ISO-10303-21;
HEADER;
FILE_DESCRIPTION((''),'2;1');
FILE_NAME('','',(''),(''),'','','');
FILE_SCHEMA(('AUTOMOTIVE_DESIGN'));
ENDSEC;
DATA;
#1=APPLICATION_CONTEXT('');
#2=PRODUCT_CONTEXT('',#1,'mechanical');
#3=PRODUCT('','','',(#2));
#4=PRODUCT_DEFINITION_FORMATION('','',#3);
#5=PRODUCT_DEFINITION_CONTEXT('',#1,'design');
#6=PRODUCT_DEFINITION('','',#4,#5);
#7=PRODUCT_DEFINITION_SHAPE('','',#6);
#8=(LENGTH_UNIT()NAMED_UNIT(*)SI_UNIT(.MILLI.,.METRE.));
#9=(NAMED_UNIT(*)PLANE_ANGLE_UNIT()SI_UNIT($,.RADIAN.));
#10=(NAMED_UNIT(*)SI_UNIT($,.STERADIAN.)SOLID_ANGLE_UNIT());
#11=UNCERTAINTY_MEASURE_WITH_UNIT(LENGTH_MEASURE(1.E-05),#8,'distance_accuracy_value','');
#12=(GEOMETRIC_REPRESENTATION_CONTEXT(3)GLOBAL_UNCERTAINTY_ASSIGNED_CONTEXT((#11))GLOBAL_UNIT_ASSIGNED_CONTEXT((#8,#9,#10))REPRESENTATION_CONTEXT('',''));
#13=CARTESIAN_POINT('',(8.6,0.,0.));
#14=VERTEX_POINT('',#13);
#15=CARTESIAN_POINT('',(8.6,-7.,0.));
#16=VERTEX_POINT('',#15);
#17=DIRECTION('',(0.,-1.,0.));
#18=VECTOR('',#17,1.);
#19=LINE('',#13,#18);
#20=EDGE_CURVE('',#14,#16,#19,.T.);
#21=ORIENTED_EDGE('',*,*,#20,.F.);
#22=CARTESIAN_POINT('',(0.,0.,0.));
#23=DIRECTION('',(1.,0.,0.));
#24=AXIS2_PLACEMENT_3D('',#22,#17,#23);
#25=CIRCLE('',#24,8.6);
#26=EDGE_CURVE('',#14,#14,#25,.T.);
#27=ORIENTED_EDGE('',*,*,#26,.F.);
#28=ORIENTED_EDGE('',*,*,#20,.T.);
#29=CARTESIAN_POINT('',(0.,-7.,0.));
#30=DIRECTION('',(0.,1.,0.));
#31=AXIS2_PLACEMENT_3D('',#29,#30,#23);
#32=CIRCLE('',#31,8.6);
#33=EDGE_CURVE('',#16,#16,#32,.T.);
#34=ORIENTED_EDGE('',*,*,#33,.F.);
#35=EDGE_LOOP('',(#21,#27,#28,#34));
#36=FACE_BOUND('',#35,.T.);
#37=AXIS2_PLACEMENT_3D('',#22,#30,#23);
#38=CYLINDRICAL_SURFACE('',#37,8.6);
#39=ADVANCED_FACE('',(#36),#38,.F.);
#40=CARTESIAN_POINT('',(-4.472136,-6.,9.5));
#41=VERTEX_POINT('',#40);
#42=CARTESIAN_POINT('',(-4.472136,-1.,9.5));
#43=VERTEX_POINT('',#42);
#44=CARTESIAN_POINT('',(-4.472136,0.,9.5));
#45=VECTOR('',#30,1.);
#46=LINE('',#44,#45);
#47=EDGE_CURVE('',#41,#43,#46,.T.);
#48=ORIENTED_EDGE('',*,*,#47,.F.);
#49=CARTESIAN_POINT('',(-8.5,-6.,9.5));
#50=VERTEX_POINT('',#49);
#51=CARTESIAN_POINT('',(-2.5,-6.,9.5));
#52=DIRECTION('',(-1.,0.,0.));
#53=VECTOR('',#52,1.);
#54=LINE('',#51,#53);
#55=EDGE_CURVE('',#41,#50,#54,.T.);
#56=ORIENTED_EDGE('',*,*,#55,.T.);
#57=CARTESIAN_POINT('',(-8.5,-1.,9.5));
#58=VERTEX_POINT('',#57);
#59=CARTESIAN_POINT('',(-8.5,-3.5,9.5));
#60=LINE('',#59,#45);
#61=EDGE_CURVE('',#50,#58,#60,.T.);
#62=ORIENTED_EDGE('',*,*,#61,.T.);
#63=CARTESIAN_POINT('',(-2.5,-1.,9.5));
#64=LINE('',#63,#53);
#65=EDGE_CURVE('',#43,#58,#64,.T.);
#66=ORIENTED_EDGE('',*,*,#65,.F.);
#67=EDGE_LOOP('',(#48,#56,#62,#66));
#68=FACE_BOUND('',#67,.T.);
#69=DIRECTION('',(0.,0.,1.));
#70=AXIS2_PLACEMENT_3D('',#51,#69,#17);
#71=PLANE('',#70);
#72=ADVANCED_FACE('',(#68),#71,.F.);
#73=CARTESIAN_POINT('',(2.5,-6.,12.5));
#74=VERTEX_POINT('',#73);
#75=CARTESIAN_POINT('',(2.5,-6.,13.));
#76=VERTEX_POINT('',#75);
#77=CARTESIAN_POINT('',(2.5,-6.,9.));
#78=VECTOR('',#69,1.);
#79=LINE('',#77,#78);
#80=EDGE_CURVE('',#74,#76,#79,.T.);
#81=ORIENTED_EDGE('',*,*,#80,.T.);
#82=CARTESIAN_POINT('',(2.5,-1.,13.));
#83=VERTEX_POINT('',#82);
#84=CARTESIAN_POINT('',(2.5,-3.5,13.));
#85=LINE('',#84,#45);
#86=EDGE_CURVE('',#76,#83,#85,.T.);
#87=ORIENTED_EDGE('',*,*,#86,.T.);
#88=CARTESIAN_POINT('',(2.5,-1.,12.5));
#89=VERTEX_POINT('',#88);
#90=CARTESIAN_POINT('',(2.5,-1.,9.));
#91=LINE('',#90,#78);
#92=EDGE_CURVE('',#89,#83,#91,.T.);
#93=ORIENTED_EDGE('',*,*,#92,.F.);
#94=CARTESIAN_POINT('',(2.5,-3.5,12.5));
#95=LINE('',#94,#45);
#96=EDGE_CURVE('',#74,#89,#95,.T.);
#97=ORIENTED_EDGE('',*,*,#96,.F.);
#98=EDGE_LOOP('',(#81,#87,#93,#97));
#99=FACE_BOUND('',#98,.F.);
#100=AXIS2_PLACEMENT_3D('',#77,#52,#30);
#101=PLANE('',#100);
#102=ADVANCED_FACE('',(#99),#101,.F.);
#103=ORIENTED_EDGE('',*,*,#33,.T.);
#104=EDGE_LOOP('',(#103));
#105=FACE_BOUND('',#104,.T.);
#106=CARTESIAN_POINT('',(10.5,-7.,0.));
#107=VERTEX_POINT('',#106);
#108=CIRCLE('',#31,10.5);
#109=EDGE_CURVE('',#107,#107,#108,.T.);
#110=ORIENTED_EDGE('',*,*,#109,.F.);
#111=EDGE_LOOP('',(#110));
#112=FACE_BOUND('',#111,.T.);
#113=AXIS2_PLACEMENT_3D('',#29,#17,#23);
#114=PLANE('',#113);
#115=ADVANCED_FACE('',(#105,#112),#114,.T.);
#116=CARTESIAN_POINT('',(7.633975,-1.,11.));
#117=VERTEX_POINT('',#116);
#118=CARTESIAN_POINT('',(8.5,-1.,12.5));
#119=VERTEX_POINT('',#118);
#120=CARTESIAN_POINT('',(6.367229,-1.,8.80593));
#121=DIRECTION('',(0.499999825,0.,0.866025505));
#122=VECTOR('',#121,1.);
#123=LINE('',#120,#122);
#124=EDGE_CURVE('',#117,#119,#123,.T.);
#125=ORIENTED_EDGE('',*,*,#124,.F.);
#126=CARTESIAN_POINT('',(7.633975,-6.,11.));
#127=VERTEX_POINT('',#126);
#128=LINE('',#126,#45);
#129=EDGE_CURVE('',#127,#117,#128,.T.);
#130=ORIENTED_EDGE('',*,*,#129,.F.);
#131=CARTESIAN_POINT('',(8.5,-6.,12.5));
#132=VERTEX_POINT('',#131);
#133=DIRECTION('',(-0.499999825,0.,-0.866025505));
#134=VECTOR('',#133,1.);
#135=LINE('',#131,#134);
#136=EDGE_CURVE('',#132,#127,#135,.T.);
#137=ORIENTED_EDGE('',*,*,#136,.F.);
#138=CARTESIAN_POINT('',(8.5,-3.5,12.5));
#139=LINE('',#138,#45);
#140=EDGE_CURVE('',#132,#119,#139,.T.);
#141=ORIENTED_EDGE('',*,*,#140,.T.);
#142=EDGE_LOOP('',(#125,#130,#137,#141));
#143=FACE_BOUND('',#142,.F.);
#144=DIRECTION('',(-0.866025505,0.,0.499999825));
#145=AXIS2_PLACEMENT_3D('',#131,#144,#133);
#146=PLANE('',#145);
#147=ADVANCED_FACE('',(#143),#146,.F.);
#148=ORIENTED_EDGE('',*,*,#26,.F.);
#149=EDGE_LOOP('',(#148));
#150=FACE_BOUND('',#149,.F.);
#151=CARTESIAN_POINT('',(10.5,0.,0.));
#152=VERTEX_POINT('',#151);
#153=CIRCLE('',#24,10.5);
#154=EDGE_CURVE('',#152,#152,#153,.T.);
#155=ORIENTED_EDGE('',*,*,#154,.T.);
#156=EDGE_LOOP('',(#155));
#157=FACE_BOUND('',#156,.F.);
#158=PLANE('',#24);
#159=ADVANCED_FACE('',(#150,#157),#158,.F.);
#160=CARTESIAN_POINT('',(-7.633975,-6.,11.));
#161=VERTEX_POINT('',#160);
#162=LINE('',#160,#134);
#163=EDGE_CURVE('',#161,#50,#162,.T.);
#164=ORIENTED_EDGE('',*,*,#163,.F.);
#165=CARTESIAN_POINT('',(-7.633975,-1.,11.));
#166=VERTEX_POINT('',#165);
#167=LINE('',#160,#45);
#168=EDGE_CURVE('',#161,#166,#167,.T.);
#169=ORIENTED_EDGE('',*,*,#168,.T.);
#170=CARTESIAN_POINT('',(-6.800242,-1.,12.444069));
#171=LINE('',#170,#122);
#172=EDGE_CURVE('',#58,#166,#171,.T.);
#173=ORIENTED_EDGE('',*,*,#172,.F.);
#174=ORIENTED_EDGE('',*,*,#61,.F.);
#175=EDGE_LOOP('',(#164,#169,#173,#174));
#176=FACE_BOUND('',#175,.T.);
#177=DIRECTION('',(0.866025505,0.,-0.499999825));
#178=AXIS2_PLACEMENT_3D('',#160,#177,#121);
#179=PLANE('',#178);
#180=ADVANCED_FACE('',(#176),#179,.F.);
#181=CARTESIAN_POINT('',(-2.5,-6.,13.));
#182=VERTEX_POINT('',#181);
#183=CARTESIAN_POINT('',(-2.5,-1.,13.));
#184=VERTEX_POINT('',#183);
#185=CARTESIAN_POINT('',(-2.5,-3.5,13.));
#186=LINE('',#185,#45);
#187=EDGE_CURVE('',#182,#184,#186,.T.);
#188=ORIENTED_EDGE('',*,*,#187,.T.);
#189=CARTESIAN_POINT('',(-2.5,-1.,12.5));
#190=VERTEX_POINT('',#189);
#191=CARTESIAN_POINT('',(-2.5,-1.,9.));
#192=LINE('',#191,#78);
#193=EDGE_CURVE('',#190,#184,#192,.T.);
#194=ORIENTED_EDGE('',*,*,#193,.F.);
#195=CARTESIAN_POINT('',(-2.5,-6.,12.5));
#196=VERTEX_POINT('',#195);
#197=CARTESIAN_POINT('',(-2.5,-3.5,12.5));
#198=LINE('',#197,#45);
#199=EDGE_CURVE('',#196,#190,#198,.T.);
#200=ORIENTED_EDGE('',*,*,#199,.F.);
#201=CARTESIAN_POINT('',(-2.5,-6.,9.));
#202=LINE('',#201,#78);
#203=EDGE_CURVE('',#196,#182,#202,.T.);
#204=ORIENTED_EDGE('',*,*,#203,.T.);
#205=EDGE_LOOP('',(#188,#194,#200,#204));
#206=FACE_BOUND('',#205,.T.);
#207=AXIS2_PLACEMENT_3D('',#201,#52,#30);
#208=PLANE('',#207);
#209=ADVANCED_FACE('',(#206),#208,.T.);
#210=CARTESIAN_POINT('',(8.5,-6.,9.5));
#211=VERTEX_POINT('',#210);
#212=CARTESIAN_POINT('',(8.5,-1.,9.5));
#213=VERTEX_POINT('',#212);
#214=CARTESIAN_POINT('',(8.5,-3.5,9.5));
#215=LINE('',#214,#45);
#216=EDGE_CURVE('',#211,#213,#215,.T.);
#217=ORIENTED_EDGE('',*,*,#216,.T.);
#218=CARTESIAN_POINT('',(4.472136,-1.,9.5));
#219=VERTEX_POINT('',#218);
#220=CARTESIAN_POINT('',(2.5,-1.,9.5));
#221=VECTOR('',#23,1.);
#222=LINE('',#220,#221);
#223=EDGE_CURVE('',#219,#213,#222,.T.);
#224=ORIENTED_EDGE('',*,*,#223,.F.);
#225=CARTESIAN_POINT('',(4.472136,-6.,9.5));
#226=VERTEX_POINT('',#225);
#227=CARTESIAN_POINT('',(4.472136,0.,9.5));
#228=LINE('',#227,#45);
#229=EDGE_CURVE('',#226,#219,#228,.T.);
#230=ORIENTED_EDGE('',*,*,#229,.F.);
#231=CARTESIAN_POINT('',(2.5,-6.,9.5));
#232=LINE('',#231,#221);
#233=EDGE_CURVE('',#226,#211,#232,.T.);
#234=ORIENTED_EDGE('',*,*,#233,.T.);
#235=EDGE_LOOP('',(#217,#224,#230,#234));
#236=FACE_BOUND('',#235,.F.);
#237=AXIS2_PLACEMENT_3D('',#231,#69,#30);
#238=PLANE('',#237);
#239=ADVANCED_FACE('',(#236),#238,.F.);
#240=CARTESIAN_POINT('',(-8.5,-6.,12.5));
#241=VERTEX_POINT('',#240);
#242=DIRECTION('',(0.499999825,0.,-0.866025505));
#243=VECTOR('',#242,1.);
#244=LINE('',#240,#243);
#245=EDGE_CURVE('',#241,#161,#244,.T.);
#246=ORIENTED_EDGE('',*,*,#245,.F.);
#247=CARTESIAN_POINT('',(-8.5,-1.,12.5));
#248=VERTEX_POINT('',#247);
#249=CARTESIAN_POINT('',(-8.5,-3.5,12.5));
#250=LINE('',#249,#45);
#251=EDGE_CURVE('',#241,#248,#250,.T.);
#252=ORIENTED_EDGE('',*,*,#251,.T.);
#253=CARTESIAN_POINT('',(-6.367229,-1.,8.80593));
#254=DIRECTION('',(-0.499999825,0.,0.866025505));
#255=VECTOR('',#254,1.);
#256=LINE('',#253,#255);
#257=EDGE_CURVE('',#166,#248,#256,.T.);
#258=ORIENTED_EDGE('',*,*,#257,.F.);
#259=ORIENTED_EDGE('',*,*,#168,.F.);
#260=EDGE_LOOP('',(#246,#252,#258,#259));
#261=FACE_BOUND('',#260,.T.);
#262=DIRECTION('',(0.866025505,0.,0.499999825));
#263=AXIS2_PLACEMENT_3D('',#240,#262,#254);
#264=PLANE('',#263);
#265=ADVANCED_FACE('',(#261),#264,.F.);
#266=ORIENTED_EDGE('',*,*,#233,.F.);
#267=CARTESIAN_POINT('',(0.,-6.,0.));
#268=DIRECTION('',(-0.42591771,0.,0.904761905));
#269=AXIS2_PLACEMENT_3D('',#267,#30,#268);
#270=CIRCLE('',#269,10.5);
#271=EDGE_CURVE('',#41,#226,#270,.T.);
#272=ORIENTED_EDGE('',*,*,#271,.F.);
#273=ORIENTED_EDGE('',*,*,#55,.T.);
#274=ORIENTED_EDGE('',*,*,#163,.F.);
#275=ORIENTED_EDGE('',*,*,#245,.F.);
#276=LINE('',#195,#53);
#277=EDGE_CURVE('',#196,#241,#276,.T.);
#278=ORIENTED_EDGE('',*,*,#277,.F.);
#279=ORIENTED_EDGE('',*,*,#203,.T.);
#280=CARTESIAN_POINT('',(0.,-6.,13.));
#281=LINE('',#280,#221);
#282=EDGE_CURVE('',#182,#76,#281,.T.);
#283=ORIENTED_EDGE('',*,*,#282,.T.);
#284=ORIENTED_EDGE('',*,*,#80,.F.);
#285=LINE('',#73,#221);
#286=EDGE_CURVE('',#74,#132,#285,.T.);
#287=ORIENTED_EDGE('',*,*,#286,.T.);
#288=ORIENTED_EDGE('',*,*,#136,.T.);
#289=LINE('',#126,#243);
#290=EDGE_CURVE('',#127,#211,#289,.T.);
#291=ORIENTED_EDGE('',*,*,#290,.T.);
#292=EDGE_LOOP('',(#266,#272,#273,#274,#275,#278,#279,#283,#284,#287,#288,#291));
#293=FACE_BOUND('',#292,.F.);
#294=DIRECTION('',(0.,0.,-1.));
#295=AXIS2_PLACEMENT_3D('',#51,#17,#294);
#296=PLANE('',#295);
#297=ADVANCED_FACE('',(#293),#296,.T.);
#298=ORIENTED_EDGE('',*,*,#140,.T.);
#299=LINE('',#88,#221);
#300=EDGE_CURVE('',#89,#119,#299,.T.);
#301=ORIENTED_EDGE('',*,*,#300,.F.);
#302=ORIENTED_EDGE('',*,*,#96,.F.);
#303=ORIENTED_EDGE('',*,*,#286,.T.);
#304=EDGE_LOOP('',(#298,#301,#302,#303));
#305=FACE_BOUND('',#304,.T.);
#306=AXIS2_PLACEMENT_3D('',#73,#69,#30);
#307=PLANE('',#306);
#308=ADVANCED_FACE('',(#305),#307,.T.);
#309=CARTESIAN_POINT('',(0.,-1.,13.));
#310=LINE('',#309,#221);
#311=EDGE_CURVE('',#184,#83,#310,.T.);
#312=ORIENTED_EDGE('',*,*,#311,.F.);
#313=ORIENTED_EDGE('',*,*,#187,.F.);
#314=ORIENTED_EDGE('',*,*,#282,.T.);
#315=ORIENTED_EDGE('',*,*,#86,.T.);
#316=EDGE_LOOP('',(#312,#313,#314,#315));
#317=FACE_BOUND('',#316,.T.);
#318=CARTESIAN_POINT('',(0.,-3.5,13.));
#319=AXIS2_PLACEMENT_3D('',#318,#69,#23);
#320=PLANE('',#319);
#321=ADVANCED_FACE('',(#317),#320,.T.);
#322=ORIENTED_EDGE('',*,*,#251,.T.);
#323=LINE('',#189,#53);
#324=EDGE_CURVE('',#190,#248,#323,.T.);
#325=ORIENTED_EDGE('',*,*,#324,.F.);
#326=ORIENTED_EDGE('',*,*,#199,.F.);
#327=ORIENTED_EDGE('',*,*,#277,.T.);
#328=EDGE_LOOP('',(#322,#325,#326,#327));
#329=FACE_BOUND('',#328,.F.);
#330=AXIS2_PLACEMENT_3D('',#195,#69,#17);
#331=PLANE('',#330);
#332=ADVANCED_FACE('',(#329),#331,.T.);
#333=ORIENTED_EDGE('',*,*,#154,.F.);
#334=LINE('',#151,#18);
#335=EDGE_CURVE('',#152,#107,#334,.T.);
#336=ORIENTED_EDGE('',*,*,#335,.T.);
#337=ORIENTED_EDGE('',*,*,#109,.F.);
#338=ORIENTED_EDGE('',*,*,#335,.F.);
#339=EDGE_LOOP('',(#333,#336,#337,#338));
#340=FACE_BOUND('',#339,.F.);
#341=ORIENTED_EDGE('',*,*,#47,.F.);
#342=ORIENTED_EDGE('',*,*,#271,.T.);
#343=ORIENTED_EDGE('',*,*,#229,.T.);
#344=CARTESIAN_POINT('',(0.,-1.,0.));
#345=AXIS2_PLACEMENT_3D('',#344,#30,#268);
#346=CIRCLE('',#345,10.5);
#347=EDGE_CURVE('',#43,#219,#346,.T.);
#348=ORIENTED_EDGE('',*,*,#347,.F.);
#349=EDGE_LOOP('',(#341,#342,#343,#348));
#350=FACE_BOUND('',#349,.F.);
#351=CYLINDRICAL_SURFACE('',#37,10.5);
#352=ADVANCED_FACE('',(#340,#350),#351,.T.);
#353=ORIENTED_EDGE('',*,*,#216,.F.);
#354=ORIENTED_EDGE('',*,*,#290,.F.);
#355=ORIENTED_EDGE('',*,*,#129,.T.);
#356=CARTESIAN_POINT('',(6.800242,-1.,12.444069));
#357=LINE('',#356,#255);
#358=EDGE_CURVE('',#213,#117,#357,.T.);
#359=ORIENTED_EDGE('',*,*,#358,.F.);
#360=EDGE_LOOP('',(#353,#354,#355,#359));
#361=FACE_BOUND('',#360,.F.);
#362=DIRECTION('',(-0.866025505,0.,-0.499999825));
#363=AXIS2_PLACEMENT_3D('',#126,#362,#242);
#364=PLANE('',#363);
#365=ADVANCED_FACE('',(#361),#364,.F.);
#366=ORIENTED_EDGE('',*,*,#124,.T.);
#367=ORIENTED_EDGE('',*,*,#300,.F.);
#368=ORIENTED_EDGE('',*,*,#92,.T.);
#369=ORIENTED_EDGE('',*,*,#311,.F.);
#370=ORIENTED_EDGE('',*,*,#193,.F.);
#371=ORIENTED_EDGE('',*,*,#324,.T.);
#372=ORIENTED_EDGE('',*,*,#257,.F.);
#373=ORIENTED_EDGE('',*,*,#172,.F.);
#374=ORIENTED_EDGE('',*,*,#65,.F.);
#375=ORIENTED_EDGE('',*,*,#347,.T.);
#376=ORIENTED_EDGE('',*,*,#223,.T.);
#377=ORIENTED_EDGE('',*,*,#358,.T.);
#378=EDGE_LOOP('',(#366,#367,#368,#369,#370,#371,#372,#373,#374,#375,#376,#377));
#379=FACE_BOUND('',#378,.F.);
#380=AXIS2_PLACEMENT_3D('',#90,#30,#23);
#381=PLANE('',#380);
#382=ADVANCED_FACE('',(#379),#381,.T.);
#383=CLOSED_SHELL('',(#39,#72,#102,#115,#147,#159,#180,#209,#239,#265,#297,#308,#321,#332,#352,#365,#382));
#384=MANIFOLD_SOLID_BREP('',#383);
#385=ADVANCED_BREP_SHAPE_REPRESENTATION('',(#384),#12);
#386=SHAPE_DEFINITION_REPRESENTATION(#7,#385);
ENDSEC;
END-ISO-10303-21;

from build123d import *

# Parameters (mm, degrees)
F0_R     = 10.5
F0_R_2   = 8.6
F1_DEPTH = 7
F3_W     = 5
F3_H     = 5
F4_DEPTH = 4
F5_W     = 5
F5_H     = 3
F6_DEPTH = 6
F8_DEPTH = 25


with BuildPart() as f1:
    # F0 (on Front) → F1 (new body)
    with BuildSketch(Plane.XZ):
        Circle(F0_R)
        Circle(F0_R_2, mode=Mode.SUBTRACT)
    extrude(amount=F1_DEPTH)

    # F3 (on offset) → F4 (join)
    with BuildSketch(Plane.XY.offset(9)):
        with Locations((0, -3.5)):
            Rectangle(F3_W, F3_H)
    extrude(amount=F4_DEPTH)

    # F5 (on face) → F6 (join)
    with BuildSketch(Plane.YZ.offset(2.5)):
        with Locations((-3.5, 11)):
            Rectangle(F5_W, F5_H)
    extrude(amount=F6_DEPTH)

    # F7 (on face) → F8 (cut)
    with BuildSketch(Plane.XZ.offset(6)):
        Polygon((8.5, 9.5), (8.5, 12.5), (7.633975, 11), align=None)
    extrude(amount=-F8_DEPTH, mode=Mode.SUBTRACT)

    # F9: F1 across plane


with BuildPart() as f1_1:
    add(f1.part)
    add(f1.part.mirror(Plane.YZ))


solid = f1_1.part
